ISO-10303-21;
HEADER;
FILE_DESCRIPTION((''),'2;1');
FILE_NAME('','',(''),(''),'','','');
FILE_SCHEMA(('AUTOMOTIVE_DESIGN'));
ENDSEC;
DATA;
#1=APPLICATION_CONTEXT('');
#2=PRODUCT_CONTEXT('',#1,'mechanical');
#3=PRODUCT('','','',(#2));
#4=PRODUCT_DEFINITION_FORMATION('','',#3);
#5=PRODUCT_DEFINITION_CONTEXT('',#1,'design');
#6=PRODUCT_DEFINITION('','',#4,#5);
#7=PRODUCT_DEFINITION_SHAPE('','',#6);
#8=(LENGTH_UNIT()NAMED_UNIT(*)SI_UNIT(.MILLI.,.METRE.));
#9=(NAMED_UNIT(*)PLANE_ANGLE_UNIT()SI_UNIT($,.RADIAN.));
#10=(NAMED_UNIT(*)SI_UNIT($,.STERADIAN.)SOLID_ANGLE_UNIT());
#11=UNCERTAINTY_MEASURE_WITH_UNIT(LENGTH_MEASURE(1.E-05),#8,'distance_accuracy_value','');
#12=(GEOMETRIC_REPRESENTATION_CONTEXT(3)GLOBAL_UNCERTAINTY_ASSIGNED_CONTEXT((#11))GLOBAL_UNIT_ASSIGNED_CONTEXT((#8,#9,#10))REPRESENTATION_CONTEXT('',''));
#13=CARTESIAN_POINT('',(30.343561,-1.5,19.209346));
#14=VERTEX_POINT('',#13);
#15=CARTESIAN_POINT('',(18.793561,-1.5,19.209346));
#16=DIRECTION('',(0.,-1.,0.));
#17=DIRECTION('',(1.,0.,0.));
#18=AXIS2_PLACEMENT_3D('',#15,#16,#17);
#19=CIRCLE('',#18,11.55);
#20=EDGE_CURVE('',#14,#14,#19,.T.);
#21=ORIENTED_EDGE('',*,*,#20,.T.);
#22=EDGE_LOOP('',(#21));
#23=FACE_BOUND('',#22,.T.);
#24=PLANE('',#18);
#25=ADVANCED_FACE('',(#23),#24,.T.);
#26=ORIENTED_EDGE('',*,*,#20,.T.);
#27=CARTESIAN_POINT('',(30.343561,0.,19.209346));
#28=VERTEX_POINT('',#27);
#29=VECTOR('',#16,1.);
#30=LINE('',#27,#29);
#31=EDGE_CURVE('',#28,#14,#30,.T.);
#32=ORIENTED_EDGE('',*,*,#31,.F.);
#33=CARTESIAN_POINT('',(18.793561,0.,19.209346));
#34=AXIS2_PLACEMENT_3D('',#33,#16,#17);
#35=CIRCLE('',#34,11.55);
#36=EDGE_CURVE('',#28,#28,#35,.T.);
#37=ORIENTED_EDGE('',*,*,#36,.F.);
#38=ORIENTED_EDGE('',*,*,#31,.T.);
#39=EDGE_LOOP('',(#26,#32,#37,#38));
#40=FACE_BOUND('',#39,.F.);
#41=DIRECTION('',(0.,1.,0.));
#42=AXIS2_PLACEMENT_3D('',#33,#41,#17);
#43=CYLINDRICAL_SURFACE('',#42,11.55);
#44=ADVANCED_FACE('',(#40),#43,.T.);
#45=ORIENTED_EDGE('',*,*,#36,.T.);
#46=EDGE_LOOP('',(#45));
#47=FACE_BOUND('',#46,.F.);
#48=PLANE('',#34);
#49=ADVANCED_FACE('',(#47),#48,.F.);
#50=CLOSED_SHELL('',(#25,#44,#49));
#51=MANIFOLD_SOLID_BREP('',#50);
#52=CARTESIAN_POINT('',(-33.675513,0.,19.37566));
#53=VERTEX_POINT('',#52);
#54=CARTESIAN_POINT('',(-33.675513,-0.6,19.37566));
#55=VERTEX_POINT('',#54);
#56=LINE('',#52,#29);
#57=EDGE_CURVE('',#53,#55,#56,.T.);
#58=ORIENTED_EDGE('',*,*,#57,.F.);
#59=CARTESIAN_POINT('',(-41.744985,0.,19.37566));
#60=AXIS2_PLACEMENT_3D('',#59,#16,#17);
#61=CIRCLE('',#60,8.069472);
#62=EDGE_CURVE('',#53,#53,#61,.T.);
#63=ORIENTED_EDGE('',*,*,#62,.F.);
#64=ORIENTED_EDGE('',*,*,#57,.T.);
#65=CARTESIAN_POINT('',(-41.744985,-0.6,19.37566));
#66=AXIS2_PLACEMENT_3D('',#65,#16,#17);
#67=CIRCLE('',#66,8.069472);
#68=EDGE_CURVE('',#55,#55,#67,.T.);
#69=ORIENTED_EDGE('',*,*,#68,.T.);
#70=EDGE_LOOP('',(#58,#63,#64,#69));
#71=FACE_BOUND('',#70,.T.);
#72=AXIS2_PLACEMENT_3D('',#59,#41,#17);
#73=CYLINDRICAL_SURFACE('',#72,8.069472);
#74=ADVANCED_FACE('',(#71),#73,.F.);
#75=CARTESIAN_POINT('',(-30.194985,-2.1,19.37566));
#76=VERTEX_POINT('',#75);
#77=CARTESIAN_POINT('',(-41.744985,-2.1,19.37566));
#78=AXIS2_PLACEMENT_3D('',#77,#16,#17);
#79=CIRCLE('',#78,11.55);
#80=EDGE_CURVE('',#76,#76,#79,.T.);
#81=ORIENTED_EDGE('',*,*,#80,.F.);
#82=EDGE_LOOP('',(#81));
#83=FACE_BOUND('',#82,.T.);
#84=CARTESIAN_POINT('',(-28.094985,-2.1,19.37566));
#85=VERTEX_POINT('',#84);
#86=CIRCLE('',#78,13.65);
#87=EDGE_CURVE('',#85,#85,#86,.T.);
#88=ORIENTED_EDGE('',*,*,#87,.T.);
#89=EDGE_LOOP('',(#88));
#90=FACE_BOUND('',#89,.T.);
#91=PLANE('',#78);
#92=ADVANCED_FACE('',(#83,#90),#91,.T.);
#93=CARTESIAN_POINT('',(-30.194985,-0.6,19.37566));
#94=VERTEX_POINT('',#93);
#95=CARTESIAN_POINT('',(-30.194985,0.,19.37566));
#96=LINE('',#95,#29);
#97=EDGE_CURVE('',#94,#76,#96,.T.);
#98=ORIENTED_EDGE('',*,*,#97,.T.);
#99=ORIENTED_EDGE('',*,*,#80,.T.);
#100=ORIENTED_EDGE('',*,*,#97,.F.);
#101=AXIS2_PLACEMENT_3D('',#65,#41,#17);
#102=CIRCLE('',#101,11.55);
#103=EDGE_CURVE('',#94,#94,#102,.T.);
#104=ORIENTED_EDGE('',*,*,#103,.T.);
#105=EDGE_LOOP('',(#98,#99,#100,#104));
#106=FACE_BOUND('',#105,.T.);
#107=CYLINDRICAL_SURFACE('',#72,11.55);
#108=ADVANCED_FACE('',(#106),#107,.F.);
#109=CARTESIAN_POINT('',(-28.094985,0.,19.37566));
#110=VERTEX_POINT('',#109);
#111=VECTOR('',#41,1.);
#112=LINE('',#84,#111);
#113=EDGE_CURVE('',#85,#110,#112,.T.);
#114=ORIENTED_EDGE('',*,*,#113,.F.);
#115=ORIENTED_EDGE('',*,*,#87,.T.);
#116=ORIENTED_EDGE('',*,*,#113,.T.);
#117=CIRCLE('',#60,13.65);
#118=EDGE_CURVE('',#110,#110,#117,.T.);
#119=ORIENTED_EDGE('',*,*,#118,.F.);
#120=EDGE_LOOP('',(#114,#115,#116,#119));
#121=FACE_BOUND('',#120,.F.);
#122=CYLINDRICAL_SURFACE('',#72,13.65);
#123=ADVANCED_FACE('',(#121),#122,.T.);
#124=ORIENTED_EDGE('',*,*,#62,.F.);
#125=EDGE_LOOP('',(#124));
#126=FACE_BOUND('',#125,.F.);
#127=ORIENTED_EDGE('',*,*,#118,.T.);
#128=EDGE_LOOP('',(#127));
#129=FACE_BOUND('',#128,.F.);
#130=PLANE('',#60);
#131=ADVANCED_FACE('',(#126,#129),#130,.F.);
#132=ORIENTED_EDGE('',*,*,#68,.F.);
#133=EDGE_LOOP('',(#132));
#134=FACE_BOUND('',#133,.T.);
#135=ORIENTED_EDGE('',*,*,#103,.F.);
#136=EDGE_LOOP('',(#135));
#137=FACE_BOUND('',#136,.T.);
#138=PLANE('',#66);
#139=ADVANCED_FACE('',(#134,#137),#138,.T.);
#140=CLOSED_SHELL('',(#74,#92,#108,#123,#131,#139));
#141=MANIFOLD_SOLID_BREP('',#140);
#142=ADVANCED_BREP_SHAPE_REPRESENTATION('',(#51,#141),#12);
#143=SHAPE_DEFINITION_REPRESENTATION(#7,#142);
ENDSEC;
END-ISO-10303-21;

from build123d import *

# Parameters (mm, degrees)
F0_R     = 13.65
F0_R_2   = 11.55
F0_R_3   = 8.069472
F1_DEPTH = 0.6
F2_DEPTH = 2.1
F3_R     = 11.55
F4_DEPTH = 1.5


with BuildPart() as f1:
    # F0 (on Front) → F1 (new body)
    with BuildSketch(Plane.XZ):
        with Locations((-41.744985, 19.37566)):
            Circle(F0_R)
        with Locations((-41.744985, 19.37566)):
            Circle(F0_R_2, mode=Mode.SUBTRACT)
        with Locations((-41.744985, 19.37566)):
            Circle(F0_R_2)
        with Locations((-41.744985, 19.37566)):
            Circle(F0_R_3, mode=Mode.SUBTRACT)
    extrude(amount=F1_DEPTH)

    # F0 (on Front) → F2 (join)
    with BuildSketch(Plane.XZ):
        with Locations((-41.744985, 19.37566)):
            Circle(F0_R)
        with Locations((-41.744985, 19.37566)):
            Circle(F0_R_2, mode=Mode.SUBTRACT)
    extrude(amount=F2_DEPTH)


with BuildPart() as f4:
    # F3 (on Front) → F4 (new body)
    with BuildSketch(Plane.XZ):
        with Locations((18.793561, 19.209346)):
            Circle(F3_R)
    extrude(amount=F4_DEPTH)


solid = Compound([f1.part, f4.part])
